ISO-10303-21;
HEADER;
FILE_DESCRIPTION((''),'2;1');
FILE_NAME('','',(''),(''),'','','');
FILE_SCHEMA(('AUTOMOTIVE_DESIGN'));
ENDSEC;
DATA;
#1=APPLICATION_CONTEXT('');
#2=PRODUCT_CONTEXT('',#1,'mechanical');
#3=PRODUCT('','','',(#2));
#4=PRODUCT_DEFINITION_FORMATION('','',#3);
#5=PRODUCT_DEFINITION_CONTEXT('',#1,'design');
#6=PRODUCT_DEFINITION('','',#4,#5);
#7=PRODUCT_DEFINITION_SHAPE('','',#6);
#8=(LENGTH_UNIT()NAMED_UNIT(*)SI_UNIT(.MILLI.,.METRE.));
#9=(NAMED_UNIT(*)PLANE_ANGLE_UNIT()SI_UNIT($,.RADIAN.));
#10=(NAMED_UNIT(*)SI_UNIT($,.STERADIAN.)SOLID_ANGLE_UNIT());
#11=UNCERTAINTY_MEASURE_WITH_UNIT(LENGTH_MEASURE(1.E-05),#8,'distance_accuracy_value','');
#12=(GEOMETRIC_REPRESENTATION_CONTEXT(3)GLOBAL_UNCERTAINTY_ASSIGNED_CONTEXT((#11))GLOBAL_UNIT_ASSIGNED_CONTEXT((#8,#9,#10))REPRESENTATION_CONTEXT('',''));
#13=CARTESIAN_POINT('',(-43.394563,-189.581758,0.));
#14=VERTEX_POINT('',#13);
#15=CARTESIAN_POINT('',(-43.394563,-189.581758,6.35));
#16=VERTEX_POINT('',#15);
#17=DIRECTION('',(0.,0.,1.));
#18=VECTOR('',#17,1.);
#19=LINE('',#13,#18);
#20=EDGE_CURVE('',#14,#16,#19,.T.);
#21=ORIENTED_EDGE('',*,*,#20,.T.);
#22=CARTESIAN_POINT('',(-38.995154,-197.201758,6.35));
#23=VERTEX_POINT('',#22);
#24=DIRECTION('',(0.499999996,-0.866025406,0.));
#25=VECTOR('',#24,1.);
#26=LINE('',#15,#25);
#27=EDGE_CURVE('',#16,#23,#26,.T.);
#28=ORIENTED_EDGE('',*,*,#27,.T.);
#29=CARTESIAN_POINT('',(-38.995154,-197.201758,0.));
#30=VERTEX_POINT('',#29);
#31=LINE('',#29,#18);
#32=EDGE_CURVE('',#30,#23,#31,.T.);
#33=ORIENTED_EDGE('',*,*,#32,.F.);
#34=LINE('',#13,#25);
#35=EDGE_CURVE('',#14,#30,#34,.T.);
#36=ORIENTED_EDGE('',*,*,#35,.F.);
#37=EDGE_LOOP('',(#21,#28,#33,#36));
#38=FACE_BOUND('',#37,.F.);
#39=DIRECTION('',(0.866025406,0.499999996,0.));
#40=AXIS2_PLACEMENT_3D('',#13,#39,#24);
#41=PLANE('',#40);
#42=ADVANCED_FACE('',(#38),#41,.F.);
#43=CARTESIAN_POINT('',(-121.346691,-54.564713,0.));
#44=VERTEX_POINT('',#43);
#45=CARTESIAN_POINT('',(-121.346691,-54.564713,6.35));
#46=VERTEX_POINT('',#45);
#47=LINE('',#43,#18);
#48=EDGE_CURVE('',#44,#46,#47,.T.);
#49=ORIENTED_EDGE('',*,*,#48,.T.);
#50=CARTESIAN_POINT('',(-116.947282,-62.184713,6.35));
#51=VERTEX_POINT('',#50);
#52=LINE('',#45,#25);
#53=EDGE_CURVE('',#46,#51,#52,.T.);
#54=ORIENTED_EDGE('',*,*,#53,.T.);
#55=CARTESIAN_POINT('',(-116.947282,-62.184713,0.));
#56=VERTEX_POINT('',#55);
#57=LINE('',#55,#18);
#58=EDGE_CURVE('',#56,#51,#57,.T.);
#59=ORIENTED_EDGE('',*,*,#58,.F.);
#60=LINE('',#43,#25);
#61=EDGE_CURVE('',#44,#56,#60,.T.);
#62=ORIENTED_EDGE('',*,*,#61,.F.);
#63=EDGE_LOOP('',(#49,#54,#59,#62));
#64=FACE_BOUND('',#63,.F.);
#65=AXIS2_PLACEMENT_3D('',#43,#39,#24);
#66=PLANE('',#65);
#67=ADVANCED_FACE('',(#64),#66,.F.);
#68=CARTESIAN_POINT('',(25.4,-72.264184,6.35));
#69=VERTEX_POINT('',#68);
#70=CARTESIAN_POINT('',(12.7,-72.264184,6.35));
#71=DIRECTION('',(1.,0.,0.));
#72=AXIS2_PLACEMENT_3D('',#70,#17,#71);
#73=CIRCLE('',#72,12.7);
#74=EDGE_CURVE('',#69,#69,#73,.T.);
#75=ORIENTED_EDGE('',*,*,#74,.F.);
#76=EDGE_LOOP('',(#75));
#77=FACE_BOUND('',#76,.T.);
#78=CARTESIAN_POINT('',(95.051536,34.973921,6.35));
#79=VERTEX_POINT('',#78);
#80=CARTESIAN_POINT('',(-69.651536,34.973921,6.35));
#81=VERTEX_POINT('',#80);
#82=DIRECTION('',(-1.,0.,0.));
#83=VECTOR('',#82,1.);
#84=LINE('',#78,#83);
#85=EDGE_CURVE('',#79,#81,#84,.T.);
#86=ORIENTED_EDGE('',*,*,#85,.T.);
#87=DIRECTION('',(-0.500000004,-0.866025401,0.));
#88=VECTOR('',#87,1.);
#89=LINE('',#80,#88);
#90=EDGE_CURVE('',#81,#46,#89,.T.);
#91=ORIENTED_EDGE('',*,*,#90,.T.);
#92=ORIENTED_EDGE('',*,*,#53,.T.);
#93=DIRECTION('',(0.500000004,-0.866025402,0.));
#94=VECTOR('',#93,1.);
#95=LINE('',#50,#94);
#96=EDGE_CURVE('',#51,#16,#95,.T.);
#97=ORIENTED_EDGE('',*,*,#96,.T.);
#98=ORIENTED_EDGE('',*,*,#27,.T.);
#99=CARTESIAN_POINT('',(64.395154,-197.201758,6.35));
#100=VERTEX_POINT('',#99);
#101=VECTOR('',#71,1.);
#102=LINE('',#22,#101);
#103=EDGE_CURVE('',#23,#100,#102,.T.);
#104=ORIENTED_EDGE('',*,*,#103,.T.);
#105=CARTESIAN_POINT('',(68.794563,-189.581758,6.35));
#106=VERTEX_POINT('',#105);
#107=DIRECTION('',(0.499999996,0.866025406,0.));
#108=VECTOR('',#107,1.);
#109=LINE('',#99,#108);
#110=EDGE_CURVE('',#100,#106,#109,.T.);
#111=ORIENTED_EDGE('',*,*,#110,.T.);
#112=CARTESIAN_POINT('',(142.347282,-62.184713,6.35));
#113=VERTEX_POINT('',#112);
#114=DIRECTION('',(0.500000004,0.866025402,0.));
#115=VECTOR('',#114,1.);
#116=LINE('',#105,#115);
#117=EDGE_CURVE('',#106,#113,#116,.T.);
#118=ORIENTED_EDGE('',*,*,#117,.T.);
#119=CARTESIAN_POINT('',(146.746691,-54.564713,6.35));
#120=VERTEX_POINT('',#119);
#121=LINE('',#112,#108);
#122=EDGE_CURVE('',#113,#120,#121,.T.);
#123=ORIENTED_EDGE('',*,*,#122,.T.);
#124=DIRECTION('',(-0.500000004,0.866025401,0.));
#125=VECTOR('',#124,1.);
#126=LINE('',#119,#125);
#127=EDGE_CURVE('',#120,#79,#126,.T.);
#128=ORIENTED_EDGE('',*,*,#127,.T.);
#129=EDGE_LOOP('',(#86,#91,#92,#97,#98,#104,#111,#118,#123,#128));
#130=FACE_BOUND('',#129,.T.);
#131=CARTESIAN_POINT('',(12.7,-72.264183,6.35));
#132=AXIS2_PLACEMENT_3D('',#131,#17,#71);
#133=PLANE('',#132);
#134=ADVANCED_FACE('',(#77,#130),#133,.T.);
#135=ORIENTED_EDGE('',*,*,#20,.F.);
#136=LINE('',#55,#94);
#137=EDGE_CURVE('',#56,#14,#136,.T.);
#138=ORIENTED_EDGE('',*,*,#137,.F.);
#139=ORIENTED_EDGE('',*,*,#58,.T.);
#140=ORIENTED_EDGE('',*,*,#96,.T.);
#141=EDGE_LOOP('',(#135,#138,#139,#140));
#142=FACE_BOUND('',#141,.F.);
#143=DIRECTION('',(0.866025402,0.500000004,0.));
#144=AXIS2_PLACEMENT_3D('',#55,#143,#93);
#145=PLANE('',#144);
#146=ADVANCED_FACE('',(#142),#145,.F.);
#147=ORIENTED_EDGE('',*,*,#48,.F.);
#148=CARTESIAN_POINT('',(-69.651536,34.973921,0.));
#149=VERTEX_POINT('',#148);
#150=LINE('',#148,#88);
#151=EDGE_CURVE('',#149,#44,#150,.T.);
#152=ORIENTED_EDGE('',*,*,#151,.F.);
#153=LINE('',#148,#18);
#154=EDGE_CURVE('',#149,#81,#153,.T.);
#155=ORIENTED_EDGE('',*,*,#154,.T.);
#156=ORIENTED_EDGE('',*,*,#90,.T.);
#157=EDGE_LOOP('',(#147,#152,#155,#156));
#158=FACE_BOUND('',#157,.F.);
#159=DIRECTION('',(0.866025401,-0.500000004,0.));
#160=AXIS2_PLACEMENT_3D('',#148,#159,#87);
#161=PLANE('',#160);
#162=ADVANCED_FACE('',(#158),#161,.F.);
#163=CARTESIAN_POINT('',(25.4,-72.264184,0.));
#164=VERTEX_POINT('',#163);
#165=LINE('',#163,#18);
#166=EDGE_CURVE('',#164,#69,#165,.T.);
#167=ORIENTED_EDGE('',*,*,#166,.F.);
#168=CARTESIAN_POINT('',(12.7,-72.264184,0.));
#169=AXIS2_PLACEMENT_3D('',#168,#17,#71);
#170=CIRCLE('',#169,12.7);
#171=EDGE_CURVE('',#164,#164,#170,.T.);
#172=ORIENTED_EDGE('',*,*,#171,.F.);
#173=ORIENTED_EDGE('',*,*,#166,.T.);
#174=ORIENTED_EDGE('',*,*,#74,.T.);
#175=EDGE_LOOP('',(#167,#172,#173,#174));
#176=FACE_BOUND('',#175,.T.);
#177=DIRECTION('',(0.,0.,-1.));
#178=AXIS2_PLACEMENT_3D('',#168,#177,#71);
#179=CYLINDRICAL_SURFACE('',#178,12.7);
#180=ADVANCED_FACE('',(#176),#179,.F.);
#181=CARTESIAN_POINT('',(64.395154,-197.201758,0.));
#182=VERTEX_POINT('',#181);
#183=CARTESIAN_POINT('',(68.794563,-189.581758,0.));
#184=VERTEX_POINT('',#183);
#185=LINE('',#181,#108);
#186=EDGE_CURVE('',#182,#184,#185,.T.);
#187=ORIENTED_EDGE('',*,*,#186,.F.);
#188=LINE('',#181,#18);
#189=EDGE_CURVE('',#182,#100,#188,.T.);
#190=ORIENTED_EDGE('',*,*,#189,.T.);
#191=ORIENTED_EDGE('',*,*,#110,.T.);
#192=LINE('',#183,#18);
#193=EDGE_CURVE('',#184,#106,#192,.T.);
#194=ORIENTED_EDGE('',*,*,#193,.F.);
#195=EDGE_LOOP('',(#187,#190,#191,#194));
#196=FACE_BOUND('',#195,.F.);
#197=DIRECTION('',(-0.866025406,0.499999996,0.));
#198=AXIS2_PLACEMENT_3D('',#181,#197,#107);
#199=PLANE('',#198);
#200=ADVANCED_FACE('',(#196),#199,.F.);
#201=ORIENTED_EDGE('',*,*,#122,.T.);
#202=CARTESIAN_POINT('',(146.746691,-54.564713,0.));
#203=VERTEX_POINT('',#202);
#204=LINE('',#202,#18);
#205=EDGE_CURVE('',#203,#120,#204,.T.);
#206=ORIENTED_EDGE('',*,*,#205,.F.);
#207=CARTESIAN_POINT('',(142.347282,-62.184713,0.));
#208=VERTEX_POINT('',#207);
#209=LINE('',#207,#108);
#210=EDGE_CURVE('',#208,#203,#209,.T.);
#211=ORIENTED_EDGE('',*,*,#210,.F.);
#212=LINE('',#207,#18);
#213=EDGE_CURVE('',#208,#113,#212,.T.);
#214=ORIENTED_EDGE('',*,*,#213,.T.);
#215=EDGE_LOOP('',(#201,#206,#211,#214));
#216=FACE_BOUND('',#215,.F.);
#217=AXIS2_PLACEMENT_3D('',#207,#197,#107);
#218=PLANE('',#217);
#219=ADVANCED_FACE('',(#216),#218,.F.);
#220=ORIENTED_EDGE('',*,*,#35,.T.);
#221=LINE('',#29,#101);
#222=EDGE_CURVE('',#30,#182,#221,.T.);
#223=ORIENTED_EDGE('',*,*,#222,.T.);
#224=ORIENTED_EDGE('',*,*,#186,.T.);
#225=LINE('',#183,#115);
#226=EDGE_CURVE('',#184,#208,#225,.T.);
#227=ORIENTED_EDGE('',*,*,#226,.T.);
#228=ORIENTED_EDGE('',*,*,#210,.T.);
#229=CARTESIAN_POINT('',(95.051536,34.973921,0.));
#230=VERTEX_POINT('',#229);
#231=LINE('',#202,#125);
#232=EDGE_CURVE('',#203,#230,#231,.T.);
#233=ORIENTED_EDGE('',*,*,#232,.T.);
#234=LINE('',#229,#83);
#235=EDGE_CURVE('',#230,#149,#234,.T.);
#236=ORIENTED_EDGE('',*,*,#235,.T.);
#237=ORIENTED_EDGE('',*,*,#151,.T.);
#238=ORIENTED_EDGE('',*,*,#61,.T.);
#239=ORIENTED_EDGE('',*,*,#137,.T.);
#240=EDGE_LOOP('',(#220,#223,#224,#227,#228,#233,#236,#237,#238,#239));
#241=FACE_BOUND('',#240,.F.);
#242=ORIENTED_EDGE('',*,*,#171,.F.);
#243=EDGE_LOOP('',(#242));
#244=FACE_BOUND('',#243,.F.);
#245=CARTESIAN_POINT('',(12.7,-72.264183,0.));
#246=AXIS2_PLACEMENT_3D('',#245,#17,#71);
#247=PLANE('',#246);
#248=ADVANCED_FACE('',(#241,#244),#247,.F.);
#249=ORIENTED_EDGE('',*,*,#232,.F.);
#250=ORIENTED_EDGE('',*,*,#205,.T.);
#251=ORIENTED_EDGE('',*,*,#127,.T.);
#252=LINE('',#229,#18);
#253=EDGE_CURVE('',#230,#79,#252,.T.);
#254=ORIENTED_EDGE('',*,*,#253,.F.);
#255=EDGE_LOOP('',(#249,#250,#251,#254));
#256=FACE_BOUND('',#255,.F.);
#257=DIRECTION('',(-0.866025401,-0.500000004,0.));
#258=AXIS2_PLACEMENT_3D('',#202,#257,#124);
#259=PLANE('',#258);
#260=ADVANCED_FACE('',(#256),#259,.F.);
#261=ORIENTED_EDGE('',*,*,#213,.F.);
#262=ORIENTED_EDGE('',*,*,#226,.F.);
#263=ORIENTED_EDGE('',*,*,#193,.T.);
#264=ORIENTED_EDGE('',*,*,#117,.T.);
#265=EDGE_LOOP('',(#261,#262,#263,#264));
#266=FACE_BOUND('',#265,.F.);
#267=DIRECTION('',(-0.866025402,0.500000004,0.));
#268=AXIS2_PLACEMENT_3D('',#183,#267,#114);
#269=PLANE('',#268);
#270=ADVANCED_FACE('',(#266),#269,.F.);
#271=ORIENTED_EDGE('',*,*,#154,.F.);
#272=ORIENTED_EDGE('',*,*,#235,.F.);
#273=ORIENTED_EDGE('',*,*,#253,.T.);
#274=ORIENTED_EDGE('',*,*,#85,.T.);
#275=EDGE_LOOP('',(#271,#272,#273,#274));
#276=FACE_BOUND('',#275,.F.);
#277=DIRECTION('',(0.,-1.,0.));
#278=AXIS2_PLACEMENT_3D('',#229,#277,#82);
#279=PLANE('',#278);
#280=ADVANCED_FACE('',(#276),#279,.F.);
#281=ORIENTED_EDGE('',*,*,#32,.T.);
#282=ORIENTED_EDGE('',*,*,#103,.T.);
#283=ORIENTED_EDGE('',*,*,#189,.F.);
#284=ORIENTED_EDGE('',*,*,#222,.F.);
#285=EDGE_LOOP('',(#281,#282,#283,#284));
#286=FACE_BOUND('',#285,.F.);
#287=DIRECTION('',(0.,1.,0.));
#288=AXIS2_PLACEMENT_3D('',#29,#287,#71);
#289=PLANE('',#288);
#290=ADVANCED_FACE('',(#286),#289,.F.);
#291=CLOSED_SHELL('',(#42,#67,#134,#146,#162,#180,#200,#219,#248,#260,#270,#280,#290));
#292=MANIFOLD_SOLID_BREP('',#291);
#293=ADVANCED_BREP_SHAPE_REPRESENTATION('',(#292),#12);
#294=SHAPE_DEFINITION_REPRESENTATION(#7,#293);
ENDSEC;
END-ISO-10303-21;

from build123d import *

# Parameters (mm, degrees)
F0_R     = 12.7
F1_DEPTH = 6.35


with BuildPart() as f1:
    # F0 (on Top) → F1 (new body)
    with BuildSketch(Plane.XY):
        Polygon((86.252718, 34.973921), (-60.852718, 34.973921), (-116.947282, -62.184713), (-43.394563, -189.581758), (68.794563, -189.581758), (142.347282, -62.184713), align=None)
        with Locations((12.7, -72.264184)):
            Circle(F0_R, mode=Mode.SUBTRACT)
        Polygon((-116.947282, -62.184713), (-60.852718, 34.973921), (-69.651536, 34.973921), (-121.346691, -54.564713), align=None)
        Polygon((95.051536, 34.973921), (86.252718, 34.973921), (142.347282, -62.184713), (146.746691, -54.564713), align=None)
        Polygon((68.794563, -189.581758), (-43.394563, -189.581758), (-38.995154, -197.201758), (64.395154, -197.201758), align=None)
    extrude(amount=F1_DEPTH)


solid = f1.part
